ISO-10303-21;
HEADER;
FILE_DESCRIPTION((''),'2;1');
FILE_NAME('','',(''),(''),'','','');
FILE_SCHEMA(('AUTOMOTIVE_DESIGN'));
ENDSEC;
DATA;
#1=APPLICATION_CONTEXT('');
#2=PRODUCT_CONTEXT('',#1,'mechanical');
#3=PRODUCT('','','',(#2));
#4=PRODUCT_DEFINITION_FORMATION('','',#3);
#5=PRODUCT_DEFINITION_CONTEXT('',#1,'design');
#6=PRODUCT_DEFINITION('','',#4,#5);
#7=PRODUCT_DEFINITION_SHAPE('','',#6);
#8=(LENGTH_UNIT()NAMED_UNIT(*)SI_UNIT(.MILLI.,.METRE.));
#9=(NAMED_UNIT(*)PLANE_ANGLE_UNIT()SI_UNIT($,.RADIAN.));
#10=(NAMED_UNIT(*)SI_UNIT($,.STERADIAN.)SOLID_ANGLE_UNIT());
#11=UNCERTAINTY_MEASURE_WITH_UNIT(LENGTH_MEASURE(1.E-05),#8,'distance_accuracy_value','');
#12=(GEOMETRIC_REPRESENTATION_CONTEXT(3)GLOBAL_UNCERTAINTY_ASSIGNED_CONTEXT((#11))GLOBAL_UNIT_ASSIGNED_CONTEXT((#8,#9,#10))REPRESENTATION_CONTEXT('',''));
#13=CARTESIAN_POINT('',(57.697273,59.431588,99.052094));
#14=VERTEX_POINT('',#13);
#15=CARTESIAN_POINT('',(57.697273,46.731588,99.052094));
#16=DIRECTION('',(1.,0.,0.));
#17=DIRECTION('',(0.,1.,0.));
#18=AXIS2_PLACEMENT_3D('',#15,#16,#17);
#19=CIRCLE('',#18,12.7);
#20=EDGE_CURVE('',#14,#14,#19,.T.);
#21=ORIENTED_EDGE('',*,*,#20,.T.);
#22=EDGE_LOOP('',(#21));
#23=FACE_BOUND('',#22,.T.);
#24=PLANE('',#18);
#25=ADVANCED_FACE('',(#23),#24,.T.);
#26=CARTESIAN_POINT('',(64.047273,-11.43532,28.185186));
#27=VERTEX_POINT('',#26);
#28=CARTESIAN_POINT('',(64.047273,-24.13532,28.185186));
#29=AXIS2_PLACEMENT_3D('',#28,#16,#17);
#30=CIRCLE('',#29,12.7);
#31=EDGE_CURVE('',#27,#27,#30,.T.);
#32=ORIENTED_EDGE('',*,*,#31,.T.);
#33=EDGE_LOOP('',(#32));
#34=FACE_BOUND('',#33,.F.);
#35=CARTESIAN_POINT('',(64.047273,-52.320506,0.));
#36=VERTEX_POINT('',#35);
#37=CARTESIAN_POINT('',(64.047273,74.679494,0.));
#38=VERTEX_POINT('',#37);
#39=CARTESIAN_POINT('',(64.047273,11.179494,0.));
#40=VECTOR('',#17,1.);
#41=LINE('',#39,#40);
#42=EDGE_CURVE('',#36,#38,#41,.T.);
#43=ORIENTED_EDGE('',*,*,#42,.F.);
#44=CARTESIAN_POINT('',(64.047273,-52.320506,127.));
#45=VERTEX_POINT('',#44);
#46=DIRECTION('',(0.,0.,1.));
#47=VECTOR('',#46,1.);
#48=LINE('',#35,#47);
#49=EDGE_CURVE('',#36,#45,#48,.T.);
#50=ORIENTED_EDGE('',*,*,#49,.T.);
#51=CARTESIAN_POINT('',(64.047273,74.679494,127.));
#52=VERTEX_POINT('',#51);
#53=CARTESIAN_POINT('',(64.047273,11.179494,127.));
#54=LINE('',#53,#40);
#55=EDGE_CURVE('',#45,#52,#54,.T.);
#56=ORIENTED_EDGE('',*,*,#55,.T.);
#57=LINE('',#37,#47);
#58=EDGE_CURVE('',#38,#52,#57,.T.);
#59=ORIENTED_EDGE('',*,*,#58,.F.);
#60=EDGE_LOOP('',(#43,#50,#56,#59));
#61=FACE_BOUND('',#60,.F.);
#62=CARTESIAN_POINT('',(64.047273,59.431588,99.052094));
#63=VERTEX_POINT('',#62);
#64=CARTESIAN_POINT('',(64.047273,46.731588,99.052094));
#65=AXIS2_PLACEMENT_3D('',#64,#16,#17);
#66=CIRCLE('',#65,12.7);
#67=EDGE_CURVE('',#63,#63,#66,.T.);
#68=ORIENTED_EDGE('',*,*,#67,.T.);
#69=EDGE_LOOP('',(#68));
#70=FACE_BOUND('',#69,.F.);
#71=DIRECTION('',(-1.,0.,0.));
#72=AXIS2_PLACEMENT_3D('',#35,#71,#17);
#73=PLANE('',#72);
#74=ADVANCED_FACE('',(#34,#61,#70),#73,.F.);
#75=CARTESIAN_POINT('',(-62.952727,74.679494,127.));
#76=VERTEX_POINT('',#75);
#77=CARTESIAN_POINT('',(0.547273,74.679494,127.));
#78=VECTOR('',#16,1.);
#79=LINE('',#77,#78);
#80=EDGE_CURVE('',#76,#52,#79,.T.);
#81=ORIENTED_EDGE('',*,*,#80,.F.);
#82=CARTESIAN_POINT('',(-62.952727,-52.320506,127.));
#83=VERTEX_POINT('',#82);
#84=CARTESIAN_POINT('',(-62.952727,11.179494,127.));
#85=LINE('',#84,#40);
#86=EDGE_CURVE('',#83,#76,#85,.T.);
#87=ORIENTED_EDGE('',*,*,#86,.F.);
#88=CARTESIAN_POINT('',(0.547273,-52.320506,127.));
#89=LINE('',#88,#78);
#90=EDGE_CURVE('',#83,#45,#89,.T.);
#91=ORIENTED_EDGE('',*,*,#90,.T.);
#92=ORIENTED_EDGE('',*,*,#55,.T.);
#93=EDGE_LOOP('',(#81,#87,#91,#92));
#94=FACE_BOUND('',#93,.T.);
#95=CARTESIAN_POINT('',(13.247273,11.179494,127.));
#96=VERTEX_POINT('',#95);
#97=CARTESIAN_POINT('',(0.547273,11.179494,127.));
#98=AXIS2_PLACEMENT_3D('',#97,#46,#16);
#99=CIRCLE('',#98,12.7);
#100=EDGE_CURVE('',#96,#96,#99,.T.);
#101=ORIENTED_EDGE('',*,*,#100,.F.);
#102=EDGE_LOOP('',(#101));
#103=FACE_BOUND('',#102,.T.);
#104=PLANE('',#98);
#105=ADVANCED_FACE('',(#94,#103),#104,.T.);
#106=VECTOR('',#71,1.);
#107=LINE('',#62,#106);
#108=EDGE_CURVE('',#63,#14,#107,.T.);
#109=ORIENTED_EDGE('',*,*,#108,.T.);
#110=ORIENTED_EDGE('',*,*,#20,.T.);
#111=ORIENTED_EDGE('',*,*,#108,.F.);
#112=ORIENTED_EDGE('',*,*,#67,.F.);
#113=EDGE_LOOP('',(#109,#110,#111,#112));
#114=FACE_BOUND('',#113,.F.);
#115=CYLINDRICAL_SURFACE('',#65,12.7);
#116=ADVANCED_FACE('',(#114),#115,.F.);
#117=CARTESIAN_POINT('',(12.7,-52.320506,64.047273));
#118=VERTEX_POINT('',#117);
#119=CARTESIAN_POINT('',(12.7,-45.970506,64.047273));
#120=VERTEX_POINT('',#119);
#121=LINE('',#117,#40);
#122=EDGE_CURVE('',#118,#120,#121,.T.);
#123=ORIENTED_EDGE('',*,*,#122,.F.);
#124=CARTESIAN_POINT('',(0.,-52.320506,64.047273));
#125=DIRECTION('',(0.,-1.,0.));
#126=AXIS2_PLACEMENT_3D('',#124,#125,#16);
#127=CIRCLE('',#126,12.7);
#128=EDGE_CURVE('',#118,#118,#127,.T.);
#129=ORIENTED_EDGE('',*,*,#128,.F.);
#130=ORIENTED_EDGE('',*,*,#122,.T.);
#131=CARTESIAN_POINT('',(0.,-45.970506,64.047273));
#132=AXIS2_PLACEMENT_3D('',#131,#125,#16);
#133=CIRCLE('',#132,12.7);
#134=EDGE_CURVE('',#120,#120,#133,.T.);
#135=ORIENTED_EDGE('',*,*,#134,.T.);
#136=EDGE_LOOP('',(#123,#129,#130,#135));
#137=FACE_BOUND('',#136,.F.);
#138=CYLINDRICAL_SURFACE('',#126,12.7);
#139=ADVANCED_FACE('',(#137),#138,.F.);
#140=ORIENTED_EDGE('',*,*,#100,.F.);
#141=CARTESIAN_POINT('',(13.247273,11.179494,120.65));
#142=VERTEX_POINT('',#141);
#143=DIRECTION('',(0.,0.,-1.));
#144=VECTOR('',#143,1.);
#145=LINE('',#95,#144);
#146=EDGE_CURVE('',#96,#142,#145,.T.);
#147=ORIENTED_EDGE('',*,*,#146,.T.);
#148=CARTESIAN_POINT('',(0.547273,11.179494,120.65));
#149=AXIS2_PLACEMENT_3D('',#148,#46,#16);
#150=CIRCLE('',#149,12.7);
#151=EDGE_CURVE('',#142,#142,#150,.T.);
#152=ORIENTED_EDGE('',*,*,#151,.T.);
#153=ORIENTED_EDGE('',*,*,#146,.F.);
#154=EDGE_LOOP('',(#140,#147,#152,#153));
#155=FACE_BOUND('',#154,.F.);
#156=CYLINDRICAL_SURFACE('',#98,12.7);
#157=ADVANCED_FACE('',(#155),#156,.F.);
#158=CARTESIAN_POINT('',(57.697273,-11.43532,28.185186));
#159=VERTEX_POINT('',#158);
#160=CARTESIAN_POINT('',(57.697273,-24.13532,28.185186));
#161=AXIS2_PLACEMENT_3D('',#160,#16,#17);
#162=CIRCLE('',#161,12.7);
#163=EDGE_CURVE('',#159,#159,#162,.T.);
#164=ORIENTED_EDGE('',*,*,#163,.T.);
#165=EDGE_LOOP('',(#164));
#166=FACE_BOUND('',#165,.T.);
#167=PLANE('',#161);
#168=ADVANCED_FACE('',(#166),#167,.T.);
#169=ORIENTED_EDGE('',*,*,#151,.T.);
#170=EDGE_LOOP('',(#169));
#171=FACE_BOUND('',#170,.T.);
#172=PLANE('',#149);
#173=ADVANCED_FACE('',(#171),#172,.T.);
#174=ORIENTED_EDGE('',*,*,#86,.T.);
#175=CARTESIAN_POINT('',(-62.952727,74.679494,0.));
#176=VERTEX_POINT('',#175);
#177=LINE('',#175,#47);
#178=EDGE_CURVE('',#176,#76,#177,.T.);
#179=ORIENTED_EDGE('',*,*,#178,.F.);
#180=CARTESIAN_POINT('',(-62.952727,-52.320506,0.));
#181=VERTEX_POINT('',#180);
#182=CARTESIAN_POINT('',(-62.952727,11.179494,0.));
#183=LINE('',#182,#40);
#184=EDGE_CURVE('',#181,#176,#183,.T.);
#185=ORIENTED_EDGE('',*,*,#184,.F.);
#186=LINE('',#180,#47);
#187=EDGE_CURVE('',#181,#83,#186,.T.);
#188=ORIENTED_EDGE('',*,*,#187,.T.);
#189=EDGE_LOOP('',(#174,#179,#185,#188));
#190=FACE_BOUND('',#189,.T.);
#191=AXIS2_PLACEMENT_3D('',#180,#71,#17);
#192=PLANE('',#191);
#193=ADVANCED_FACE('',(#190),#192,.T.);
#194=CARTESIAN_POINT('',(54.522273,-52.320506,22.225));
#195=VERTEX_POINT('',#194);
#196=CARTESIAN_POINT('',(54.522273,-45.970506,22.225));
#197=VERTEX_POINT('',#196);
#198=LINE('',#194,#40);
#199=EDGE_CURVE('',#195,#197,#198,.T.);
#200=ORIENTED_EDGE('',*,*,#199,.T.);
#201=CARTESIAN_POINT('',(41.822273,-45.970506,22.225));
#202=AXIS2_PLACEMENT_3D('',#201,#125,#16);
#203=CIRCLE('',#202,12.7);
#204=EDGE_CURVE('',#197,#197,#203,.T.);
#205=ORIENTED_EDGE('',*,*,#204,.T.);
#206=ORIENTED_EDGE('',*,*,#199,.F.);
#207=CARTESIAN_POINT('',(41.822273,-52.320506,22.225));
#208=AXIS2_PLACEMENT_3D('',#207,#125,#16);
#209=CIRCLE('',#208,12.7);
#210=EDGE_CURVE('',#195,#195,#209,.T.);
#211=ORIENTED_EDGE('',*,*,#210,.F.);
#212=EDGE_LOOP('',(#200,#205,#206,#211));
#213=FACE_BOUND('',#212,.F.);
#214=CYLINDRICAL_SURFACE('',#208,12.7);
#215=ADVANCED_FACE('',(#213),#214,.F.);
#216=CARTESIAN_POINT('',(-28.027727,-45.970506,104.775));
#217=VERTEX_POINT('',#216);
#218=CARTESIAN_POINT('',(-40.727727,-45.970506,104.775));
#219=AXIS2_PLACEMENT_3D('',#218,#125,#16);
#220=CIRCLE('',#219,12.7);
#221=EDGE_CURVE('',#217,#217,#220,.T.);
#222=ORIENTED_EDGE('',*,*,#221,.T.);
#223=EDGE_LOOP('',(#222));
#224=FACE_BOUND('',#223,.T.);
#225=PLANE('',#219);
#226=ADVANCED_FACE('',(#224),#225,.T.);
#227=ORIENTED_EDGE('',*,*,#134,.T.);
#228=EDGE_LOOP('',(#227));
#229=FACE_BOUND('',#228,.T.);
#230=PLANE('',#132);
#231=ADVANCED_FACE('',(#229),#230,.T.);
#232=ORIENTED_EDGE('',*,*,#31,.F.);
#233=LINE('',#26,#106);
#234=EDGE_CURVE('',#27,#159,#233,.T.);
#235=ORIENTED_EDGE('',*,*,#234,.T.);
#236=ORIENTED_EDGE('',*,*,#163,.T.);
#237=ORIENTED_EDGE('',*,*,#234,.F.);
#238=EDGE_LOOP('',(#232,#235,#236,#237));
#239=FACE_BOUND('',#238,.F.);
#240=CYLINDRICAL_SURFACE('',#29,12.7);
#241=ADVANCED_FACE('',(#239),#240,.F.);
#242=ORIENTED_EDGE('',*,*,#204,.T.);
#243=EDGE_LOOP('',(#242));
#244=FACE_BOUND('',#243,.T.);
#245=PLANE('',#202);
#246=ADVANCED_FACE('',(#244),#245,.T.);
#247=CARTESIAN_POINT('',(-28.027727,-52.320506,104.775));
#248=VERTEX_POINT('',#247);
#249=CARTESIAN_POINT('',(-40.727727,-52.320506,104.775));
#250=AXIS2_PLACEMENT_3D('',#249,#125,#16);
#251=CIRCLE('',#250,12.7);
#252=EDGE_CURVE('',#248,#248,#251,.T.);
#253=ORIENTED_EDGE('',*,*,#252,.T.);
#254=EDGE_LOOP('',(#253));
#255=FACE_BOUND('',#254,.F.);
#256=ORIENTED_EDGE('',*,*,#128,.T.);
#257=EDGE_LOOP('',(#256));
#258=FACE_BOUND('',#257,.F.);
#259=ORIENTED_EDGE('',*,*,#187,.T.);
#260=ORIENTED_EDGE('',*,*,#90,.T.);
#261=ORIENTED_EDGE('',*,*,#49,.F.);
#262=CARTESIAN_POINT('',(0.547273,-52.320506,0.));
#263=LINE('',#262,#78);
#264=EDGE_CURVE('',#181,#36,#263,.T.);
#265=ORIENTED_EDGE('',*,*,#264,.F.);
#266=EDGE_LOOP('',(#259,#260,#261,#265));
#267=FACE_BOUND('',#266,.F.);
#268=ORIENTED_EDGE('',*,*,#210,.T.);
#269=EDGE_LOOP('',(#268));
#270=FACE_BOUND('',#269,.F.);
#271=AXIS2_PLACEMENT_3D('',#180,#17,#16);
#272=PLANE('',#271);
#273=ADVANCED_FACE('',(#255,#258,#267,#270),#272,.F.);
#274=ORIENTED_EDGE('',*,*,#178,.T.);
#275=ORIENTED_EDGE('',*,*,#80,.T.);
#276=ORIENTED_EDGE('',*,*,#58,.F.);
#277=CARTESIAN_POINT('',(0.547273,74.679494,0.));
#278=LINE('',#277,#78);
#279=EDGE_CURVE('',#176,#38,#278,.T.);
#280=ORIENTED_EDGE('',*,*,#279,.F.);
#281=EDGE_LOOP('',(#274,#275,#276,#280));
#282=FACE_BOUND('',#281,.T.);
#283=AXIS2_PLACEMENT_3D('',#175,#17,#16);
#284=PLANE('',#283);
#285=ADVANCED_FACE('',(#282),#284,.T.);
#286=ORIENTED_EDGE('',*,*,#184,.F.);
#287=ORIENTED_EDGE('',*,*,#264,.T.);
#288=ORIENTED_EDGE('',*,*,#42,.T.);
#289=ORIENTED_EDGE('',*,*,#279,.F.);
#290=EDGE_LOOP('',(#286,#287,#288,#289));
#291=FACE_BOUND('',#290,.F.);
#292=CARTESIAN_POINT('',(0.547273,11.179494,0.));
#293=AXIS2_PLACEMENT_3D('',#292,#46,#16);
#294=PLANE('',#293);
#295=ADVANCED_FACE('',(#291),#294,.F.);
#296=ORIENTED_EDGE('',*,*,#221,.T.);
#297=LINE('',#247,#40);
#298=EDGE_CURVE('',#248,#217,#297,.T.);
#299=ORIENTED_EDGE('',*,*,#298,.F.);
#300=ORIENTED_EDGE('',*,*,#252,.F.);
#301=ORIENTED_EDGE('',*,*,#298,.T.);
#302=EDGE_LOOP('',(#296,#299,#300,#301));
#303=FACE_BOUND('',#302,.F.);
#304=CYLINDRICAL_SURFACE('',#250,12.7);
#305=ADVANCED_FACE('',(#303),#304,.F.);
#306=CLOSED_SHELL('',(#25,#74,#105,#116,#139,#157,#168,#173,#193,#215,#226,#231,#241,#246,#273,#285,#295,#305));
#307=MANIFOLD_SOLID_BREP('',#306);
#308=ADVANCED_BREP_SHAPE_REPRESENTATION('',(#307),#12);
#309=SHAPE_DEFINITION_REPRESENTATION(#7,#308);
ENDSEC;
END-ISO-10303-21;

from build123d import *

# Parameters (mm, degrees)
F0_W     = 127
F0_H     = 127
F1_DEPTH = 127
F2_R     = 12.7
F3_DEPTH = 6.35
F4_R     = 12.7
F5_DEPTH = 6.35
F6_DEPTH = 6.35
F7_R     = 12.7
F8_DEPTH = 6.35


with BuildPart() as f1:
    # F0 (on Top) → F1 (new body)
    with BuildSketch(Plane.XY):
        with Locations((0.547273, 11.179494)):
            Rectangle(F0_W, F0_H)
    extrude(amount=F1_DEPTH)

    # F2 (on face) → F3 (cut)
    with BuildSketch(Plane.XY.offset(127)):
        with Locations((0.547273, 11.179494)):
            Circle(F2_R)
    extrude(amount=-F3_DEPTH, mode=Mode.SUBTRACT)

    # F4 (on face) → F5 (join)
    with BuildSketch(Plane.YZ.offset(64.047273)):
        with Locations((46.731588, 99.052094)):
            Circle(F4_R)
        with Locations((-24.13532, 28.185186)):
            Circle(F4_R)
    extrude(amount=-F5_DEPTH)

    # F4 (on face) → F6 (cut)
    with BuildSketch(Plane.YZ.offset(64.047273)):
        with Locations((46.731588, 99.052094)):
            Circle(F4_R)
        with Locations((-24.13532, 28.185186)):
            Circle(F4_R)
    extrude(amount=-F6_DEPTH, mode=Mode.SUBTRACT)

    # F7 (on face) → F8 (cut)
    with BuildSketch(Plane.XZ.offset(52.320506)):
        with Locations((-40.727727, 104.775)):
            Circle(F7_R)
        with Locations((0, 64.047273)):
            Circle(F7_R)
        with Locations((41.822273, 22.225)):
            Circle(F7_R)
    extrude(amount=-F8_DEPTH, mode=Mode.SUBTRACT)


solid = f1.part
